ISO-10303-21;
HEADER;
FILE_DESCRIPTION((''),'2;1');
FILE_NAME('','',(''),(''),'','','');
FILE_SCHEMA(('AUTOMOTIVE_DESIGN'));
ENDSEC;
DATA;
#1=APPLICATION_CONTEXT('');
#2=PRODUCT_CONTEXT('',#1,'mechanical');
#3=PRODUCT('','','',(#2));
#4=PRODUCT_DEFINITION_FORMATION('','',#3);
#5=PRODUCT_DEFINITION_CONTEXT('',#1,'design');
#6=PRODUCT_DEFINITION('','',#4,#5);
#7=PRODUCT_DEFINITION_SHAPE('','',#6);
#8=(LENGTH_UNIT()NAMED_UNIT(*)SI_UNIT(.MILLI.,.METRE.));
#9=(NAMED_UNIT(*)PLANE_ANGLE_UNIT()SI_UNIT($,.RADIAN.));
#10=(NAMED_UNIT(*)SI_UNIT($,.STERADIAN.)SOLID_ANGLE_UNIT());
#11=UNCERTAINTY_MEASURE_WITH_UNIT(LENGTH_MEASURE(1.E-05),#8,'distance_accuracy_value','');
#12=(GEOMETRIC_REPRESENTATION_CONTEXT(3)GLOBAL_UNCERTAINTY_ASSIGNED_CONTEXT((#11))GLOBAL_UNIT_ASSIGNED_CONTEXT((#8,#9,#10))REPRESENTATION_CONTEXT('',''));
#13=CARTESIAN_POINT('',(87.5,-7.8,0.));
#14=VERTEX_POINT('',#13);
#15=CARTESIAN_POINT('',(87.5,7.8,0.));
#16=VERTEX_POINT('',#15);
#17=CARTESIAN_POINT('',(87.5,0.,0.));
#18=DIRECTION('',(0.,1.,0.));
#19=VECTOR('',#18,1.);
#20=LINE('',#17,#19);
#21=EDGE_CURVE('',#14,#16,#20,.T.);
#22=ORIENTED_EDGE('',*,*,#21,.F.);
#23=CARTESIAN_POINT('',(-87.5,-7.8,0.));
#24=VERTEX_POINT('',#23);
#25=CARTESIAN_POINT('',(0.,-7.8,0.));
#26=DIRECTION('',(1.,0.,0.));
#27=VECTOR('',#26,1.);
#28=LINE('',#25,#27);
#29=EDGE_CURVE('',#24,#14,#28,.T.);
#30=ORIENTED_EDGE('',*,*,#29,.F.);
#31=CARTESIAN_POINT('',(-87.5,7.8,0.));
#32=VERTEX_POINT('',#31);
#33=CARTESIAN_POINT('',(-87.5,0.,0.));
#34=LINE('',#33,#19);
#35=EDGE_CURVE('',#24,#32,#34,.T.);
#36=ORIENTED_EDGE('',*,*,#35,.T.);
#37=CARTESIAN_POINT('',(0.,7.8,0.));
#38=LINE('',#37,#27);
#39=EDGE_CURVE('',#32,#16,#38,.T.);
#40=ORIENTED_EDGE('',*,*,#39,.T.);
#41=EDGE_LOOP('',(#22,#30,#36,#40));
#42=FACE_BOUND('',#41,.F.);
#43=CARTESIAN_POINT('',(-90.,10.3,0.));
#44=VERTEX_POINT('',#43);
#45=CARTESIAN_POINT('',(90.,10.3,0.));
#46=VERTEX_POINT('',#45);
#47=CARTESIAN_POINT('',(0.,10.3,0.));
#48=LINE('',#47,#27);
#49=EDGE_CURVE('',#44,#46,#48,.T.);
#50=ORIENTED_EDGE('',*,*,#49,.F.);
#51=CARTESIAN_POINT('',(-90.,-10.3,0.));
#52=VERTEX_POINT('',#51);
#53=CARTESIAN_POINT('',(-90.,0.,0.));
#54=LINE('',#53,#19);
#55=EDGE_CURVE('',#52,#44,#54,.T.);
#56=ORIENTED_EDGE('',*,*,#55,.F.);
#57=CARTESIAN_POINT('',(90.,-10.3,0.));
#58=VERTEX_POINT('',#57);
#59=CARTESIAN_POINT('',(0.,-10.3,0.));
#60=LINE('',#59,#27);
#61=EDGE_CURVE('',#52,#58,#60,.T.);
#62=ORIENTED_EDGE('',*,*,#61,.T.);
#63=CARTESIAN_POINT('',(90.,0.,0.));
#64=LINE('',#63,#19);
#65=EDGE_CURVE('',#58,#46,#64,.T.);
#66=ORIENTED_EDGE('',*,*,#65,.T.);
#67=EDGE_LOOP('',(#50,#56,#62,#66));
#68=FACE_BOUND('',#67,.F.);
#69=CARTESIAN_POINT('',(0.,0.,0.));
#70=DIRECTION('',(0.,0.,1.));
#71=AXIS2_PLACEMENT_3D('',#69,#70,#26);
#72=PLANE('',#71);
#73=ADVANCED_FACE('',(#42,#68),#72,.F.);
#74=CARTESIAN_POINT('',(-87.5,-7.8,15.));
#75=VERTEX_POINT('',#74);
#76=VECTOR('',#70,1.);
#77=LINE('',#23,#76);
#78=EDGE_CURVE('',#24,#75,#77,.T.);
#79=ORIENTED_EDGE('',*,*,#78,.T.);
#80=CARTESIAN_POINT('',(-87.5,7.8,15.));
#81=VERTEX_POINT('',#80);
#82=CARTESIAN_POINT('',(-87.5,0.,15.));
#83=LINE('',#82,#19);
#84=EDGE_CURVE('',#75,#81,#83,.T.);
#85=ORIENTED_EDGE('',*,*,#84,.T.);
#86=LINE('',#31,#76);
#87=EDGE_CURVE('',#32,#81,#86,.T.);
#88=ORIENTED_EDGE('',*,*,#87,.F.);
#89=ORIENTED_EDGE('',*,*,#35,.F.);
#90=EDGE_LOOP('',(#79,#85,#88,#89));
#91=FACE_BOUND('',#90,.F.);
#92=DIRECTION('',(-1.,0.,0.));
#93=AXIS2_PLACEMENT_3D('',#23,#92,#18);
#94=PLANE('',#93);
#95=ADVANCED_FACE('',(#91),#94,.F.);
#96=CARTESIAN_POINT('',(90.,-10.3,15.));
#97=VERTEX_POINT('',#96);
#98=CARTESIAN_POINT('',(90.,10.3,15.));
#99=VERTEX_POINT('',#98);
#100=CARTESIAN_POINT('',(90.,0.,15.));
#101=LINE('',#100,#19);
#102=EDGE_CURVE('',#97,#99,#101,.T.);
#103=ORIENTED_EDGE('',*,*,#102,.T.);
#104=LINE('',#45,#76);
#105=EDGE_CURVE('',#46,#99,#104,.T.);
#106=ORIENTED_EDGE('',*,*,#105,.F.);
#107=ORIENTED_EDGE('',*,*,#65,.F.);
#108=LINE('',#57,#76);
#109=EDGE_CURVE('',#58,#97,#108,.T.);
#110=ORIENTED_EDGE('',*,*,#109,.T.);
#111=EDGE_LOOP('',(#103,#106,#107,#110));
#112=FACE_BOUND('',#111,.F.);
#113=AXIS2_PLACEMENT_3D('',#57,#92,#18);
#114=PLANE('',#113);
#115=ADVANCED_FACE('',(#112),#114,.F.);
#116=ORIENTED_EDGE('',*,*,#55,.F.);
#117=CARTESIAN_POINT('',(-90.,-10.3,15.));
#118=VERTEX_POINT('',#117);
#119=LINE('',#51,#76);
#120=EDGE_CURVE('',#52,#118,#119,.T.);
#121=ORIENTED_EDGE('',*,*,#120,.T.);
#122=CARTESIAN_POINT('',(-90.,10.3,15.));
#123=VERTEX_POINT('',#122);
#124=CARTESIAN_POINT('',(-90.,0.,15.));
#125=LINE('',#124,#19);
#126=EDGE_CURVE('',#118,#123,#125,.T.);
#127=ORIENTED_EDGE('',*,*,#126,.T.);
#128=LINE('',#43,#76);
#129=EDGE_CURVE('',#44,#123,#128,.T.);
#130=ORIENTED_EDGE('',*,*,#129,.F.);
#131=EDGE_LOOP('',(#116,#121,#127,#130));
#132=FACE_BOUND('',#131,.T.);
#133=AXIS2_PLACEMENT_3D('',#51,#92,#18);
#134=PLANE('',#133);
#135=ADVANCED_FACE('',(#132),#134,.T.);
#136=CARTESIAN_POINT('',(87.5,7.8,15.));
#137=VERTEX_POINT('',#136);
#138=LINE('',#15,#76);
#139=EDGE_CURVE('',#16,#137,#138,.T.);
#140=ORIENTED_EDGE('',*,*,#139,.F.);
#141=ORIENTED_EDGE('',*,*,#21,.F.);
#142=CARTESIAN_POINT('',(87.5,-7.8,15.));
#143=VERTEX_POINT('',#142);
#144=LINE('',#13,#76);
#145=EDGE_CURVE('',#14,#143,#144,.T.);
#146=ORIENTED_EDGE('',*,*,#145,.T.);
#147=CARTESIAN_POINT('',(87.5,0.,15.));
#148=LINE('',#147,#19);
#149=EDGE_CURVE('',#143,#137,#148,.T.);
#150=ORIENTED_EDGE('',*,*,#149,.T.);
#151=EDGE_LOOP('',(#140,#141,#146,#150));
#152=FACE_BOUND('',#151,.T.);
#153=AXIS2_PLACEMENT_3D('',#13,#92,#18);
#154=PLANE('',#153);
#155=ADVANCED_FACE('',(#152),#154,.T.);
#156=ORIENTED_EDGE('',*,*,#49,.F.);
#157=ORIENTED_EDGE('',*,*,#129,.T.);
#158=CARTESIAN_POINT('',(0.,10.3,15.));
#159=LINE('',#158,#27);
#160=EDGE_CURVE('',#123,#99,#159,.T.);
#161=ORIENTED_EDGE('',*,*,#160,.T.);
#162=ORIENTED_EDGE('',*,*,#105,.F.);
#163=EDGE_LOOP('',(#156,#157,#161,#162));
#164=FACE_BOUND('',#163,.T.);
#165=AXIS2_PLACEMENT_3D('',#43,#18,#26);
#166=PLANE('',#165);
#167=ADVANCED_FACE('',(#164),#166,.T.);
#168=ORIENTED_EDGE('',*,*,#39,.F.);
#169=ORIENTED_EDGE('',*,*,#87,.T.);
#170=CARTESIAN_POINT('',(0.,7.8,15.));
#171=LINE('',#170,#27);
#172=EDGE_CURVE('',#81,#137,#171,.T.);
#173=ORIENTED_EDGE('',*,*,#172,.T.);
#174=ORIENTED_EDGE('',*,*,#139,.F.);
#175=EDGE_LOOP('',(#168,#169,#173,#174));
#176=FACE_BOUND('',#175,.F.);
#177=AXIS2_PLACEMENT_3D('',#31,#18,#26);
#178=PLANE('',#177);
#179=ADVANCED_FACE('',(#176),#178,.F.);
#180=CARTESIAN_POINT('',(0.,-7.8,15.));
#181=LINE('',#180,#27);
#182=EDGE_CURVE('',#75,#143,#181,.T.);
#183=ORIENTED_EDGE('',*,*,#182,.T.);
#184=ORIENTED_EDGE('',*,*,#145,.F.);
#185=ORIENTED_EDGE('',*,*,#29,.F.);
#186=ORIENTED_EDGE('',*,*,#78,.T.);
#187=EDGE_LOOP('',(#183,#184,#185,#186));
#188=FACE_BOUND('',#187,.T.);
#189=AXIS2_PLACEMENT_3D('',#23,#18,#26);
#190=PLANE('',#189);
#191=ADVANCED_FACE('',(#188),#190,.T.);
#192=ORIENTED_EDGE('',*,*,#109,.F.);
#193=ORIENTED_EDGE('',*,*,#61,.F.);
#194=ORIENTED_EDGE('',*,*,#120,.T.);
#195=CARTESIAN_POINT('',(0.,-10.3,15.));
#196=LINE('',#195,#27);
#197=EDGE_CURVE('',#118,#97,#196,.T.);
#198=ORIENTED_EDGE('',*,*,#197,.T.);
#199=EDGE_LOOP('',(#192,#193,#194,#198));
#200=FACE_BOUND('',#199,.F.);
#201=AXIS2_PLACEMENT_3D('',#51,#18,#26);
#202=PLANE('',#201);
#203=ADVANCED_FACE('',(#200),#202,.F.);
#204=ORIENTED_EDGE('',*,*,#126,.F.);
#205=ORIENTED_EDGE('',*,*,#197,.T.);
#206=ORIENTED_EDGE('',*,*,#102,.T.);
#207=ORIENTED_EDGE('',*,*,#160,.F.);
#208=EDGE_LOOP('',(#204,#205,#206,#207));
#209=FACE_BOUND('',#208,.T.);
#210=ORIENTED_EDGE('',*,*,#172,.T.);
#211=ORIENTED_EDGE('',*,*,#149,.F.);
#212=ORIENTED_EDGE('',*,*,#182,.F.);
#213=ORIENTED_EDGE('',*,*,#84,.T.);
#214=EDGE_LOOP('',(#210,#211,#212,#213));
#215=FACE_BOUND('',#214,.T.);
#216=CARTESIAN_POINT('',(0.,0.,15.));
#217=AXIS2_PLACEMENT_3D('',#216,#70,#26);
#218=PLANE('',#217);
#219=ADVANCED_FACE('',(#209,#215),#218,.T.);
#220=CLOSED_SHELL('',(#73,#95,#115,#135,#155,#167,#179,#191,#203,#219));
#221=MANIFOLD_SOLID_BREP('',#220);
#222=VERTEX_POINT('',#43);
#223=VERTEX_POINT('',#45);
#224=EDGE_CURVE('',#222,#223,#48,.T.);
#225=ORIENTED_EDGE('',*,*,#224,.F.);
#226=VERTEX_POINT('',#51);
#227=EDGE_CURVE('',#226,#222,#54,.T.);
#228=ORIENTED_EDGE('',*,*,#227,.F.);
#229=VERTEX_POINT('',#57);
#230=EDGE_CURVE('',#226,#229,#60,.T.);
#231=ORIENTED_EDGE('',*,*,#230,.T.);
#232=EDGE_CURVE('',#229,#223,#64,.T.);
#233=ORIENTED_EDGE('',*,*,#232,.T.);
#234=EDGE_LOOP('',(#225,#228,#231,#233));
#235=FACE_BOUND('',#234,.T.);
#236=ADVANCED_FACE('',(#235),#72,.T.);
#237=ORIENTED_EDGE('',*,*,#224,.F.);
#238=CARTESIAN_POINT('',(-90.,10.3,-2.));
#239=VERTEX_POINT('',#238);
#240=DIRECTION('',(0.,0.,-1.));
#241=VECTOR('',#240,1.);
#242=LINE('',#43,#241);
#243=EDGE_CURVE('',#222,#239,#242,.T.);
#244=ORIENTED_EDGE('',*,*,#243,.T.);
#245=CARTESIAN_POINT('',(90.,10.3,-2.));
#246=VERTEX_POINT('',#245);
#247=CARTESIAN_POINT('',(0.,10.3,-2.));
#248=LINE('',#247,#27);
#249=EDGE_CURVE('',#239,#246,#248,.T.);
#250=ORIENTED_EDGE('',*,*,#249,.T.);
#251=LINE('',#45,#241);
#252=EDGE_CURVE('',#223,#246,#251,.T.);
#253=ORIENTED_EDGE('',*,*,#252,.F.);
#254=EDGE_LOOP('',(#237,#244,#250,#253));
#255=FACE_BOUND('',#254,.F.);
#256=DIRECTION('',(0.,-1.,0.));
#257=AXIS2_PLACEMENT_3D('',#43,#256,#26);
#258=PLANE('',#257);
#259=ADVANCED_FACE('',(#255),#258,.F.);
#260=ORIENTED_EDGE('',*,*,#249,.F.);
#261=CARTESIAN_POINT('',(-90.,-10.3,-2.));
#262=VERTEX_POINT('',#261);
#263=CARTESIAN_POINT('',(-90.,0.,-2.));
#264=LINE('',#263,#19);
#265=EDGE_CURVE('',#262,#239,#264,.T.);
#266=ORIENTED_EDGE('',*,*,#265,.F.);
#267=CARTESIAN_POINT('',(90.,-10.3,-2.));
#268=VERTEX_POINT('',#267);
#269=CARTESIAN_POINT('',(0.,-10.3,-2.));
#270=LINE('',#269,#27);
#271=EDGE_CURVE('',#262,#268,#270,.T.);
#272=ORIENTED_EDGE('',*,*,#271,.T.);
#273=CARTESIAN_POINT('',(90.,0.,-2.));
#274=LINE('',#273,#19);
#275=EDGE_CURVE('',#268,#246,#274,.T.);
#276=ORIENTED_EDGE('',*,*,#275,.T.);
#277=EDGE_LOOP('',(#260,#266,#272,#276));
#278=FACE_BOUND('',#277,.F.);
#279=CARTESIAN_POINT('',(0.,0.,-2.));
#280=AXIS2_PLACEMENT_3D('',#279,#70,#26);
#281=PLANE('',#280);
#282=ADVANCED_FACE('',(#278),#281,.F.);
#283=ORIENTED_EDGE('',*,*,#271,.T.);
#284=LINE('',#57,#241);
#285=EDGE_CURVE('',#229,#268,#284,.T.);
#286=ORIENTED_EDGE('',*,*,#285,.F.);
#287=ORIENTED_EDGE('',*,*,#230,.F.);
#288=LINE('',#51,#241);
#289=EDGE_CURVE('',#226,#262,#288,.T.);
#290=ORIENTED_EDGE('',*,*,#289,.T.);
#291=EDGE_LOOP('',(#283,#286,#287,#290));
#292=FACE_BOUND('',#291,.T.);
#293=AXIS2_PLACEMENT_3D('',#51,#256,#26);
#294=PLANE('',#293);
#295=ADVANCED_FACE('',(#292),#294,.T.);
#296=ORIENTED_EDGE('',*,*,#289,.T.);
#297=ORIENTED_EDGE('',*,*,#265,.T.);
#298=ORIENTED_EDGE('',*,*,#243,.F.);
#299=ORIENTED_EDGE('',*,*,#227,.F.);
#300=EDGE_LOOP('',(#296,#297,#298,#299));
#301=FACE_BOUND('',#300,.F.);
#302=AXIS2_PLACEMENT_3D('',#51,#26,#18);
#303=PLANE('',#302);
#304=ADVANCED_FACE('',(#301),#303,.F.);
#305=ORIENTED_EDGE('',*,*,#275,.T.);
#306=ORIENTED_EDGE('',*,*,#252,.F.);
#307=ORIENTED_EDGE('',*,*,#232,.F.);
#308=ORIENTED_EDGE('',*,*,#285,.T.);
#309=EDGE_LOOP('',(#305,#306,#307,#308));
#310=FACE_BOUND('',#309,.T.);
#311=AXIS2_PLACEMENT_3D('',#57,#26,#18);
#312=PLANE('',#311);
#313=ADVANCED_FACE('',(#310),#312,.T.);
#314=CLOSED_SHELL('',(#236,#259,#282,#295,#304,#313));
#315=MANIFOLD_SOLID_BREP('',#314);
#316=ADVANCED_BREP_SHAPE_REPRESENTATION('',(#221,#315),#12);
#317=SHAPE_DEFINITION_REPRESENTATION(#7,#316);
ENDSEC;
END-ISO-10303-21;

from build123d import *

# Parameters (mm, degrees)
F0_W     = 180
F0_H     = 20.6
F0_W_2   = 175
F0_H_2   = 15.6
F1_DEPTH = 2
F2_DEPTH = 15


with BuildPart() as f1:
    # F0 (on Top) → F1 (new body)
    with BuildSketch(Plane.XY):
        Rectangle(F0_W, F0_H)
        Rectangle(F0_W_2, F0_H_2, mode=Mode.SUBTRACT)
        Rectangle(F0_W_2, F0_H_2)
    extrude(amount=-F1_DEPTH)


with BuildPart() as f2:
    # F0 (on Top) → F2 (new body)
    with BuildSketch(Plane.XY):
        Rectangle(F0_W, F0_H)
        Rectangle(F0_W_2, F0_H_2, mode=Mode.SUBTRACT)
    extrude(amount=F2_DEPTH)


solid = Compound([f1.part, f2.part])
